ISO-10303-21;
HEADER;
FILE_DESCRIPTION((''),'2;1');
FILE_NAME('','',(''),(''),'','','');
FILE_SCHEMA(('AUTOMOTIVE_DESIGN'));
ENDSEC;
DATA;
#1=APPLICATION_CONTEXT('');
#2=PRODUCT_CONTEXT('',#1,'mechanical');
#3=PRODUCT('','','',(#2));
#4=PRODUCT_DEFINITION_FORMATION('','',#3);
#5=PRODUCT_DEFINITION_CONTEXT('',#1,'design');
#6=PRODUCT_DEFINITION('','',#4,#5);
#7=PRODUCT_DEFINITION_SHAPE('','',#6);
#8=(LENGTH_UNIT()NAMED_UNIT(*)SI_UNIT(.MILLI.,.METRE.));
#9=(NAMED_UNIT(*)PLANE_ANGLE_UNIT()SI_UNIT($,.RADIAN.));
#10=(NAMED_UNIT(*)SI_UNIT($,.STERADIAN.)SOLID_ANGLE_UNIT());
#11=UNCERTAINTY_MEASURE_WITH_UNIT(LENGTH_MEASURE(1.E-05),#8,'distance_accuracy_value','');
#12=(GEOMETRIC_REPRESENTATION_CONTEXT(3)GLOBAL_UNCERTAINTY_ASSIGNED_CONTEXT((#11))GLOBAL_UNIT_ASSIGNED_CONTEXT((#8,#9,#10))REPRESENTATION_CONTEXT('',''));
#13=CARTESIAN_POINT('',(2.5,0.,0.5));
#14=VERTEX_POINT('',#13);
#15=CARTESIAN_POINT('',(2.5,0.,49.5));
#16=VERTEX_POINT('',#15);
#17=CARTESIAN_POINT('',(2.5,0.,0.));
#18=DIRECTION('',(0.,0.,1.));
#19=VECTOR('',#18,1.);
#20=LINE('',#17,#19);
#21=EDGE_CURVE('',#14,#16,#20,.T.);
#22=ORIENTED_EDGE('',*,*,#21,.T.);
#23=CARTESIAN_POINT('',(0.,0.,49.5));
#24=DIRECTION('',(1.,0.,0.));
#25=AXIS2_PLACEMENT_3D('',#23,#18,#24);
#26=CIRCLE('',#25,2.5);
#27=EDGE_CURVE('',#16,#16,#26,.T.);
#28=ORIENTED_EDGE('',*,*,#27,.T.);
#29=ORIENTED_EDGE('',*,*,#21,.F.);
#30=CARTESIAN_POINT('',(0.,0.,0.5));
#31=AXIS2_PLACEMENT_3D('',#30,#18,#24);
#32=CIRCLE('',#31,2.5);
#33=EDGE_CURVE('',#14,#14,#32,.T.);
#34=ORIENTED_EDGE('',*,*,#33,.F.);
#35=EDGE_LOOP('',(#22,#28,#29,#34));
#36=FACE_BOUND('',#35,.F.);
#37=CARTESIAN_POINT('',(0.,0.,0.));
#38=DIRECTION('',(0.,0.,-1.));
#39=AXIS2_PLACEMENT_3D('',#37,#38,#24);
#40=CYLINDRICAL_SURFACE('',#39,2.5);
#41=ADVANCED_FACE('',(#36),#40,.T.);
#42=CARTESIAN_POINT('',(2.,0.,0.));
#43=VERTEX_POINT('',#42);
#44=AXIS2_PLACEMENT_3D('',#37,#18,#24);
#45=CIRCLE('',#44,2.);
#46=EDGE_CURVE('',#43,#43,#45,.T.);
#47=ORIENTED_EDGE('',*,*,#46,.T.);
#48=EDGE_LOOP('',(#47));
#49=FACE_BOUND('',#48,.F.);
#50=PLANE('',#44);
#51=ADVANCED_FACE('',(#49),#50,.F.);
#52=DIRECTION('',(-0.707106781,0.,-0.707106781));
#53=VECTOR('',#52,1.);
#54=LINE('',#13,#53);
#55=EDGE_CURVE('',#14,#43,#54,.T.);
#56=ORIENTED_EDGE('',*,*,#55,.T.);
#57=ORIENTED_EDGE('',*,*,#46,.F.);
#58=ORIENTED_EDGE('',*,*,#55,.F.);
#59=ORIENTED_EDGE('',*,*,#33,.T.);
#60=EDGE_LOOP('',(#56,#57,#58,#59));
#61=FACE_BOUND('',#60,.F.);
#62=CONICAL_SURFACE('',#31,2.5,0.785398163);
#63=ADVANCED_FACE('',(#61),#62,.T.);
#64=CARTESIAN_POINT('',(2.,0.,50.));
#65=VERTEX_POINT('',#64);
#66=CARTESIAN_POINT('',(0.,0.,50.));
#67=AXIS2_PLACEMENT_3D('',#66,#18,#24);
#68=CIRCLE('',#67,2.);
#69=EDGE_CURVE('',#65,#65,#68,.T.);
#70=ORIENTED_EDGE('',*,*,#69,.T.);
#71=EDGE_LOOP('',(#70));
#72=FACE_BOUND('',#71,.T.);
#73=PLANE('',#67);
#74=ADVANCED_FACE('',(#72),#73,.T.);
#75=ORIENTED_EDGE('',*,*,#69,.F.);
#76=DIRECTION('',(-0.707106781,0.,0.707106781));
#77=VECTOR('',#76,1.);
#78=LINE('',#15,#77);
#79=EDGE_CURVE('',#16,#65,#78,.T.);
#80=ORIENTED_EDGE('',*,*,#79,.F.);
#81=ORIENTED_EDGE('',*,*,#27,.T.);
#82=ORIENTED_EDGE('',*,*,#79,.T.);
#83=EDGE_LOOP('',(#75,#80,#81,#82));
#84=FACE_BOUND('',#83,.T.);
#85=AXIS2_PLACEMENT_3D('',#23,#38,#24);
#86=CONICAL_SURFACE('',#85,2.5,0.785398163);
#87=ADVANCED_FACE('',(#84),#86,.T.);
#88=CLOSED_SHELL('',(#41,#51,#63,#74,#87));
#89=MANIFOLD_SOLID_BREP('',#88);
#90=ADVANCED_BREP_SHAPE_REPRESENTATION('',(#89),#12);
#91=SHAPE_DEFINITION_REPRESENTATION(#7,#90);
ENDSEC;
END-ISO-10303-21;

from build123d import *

# Parameters (mm, degrees)
SKETCH_R     = 2.5
PAD_DEPTH    = 50
CHAMFER_SIZE = 0.5


with BuildPart() as part:
    # Sketch → Pad (new body)
    with BuildSketch(Plane.XY):
        Circle(SKETCH_R)
    extrude(amount=PAD_DEPTH)

    # Chamfer
    chamfer_edges = [part.edges().sort_by_distance(p)[0] for p in [
        (-2.5, 0, 50),
        (-2.5, 0, 0),
    ]]
    chamfer(chamfer_edges, length=CHAMFER_SIZE)


solid = part.part
